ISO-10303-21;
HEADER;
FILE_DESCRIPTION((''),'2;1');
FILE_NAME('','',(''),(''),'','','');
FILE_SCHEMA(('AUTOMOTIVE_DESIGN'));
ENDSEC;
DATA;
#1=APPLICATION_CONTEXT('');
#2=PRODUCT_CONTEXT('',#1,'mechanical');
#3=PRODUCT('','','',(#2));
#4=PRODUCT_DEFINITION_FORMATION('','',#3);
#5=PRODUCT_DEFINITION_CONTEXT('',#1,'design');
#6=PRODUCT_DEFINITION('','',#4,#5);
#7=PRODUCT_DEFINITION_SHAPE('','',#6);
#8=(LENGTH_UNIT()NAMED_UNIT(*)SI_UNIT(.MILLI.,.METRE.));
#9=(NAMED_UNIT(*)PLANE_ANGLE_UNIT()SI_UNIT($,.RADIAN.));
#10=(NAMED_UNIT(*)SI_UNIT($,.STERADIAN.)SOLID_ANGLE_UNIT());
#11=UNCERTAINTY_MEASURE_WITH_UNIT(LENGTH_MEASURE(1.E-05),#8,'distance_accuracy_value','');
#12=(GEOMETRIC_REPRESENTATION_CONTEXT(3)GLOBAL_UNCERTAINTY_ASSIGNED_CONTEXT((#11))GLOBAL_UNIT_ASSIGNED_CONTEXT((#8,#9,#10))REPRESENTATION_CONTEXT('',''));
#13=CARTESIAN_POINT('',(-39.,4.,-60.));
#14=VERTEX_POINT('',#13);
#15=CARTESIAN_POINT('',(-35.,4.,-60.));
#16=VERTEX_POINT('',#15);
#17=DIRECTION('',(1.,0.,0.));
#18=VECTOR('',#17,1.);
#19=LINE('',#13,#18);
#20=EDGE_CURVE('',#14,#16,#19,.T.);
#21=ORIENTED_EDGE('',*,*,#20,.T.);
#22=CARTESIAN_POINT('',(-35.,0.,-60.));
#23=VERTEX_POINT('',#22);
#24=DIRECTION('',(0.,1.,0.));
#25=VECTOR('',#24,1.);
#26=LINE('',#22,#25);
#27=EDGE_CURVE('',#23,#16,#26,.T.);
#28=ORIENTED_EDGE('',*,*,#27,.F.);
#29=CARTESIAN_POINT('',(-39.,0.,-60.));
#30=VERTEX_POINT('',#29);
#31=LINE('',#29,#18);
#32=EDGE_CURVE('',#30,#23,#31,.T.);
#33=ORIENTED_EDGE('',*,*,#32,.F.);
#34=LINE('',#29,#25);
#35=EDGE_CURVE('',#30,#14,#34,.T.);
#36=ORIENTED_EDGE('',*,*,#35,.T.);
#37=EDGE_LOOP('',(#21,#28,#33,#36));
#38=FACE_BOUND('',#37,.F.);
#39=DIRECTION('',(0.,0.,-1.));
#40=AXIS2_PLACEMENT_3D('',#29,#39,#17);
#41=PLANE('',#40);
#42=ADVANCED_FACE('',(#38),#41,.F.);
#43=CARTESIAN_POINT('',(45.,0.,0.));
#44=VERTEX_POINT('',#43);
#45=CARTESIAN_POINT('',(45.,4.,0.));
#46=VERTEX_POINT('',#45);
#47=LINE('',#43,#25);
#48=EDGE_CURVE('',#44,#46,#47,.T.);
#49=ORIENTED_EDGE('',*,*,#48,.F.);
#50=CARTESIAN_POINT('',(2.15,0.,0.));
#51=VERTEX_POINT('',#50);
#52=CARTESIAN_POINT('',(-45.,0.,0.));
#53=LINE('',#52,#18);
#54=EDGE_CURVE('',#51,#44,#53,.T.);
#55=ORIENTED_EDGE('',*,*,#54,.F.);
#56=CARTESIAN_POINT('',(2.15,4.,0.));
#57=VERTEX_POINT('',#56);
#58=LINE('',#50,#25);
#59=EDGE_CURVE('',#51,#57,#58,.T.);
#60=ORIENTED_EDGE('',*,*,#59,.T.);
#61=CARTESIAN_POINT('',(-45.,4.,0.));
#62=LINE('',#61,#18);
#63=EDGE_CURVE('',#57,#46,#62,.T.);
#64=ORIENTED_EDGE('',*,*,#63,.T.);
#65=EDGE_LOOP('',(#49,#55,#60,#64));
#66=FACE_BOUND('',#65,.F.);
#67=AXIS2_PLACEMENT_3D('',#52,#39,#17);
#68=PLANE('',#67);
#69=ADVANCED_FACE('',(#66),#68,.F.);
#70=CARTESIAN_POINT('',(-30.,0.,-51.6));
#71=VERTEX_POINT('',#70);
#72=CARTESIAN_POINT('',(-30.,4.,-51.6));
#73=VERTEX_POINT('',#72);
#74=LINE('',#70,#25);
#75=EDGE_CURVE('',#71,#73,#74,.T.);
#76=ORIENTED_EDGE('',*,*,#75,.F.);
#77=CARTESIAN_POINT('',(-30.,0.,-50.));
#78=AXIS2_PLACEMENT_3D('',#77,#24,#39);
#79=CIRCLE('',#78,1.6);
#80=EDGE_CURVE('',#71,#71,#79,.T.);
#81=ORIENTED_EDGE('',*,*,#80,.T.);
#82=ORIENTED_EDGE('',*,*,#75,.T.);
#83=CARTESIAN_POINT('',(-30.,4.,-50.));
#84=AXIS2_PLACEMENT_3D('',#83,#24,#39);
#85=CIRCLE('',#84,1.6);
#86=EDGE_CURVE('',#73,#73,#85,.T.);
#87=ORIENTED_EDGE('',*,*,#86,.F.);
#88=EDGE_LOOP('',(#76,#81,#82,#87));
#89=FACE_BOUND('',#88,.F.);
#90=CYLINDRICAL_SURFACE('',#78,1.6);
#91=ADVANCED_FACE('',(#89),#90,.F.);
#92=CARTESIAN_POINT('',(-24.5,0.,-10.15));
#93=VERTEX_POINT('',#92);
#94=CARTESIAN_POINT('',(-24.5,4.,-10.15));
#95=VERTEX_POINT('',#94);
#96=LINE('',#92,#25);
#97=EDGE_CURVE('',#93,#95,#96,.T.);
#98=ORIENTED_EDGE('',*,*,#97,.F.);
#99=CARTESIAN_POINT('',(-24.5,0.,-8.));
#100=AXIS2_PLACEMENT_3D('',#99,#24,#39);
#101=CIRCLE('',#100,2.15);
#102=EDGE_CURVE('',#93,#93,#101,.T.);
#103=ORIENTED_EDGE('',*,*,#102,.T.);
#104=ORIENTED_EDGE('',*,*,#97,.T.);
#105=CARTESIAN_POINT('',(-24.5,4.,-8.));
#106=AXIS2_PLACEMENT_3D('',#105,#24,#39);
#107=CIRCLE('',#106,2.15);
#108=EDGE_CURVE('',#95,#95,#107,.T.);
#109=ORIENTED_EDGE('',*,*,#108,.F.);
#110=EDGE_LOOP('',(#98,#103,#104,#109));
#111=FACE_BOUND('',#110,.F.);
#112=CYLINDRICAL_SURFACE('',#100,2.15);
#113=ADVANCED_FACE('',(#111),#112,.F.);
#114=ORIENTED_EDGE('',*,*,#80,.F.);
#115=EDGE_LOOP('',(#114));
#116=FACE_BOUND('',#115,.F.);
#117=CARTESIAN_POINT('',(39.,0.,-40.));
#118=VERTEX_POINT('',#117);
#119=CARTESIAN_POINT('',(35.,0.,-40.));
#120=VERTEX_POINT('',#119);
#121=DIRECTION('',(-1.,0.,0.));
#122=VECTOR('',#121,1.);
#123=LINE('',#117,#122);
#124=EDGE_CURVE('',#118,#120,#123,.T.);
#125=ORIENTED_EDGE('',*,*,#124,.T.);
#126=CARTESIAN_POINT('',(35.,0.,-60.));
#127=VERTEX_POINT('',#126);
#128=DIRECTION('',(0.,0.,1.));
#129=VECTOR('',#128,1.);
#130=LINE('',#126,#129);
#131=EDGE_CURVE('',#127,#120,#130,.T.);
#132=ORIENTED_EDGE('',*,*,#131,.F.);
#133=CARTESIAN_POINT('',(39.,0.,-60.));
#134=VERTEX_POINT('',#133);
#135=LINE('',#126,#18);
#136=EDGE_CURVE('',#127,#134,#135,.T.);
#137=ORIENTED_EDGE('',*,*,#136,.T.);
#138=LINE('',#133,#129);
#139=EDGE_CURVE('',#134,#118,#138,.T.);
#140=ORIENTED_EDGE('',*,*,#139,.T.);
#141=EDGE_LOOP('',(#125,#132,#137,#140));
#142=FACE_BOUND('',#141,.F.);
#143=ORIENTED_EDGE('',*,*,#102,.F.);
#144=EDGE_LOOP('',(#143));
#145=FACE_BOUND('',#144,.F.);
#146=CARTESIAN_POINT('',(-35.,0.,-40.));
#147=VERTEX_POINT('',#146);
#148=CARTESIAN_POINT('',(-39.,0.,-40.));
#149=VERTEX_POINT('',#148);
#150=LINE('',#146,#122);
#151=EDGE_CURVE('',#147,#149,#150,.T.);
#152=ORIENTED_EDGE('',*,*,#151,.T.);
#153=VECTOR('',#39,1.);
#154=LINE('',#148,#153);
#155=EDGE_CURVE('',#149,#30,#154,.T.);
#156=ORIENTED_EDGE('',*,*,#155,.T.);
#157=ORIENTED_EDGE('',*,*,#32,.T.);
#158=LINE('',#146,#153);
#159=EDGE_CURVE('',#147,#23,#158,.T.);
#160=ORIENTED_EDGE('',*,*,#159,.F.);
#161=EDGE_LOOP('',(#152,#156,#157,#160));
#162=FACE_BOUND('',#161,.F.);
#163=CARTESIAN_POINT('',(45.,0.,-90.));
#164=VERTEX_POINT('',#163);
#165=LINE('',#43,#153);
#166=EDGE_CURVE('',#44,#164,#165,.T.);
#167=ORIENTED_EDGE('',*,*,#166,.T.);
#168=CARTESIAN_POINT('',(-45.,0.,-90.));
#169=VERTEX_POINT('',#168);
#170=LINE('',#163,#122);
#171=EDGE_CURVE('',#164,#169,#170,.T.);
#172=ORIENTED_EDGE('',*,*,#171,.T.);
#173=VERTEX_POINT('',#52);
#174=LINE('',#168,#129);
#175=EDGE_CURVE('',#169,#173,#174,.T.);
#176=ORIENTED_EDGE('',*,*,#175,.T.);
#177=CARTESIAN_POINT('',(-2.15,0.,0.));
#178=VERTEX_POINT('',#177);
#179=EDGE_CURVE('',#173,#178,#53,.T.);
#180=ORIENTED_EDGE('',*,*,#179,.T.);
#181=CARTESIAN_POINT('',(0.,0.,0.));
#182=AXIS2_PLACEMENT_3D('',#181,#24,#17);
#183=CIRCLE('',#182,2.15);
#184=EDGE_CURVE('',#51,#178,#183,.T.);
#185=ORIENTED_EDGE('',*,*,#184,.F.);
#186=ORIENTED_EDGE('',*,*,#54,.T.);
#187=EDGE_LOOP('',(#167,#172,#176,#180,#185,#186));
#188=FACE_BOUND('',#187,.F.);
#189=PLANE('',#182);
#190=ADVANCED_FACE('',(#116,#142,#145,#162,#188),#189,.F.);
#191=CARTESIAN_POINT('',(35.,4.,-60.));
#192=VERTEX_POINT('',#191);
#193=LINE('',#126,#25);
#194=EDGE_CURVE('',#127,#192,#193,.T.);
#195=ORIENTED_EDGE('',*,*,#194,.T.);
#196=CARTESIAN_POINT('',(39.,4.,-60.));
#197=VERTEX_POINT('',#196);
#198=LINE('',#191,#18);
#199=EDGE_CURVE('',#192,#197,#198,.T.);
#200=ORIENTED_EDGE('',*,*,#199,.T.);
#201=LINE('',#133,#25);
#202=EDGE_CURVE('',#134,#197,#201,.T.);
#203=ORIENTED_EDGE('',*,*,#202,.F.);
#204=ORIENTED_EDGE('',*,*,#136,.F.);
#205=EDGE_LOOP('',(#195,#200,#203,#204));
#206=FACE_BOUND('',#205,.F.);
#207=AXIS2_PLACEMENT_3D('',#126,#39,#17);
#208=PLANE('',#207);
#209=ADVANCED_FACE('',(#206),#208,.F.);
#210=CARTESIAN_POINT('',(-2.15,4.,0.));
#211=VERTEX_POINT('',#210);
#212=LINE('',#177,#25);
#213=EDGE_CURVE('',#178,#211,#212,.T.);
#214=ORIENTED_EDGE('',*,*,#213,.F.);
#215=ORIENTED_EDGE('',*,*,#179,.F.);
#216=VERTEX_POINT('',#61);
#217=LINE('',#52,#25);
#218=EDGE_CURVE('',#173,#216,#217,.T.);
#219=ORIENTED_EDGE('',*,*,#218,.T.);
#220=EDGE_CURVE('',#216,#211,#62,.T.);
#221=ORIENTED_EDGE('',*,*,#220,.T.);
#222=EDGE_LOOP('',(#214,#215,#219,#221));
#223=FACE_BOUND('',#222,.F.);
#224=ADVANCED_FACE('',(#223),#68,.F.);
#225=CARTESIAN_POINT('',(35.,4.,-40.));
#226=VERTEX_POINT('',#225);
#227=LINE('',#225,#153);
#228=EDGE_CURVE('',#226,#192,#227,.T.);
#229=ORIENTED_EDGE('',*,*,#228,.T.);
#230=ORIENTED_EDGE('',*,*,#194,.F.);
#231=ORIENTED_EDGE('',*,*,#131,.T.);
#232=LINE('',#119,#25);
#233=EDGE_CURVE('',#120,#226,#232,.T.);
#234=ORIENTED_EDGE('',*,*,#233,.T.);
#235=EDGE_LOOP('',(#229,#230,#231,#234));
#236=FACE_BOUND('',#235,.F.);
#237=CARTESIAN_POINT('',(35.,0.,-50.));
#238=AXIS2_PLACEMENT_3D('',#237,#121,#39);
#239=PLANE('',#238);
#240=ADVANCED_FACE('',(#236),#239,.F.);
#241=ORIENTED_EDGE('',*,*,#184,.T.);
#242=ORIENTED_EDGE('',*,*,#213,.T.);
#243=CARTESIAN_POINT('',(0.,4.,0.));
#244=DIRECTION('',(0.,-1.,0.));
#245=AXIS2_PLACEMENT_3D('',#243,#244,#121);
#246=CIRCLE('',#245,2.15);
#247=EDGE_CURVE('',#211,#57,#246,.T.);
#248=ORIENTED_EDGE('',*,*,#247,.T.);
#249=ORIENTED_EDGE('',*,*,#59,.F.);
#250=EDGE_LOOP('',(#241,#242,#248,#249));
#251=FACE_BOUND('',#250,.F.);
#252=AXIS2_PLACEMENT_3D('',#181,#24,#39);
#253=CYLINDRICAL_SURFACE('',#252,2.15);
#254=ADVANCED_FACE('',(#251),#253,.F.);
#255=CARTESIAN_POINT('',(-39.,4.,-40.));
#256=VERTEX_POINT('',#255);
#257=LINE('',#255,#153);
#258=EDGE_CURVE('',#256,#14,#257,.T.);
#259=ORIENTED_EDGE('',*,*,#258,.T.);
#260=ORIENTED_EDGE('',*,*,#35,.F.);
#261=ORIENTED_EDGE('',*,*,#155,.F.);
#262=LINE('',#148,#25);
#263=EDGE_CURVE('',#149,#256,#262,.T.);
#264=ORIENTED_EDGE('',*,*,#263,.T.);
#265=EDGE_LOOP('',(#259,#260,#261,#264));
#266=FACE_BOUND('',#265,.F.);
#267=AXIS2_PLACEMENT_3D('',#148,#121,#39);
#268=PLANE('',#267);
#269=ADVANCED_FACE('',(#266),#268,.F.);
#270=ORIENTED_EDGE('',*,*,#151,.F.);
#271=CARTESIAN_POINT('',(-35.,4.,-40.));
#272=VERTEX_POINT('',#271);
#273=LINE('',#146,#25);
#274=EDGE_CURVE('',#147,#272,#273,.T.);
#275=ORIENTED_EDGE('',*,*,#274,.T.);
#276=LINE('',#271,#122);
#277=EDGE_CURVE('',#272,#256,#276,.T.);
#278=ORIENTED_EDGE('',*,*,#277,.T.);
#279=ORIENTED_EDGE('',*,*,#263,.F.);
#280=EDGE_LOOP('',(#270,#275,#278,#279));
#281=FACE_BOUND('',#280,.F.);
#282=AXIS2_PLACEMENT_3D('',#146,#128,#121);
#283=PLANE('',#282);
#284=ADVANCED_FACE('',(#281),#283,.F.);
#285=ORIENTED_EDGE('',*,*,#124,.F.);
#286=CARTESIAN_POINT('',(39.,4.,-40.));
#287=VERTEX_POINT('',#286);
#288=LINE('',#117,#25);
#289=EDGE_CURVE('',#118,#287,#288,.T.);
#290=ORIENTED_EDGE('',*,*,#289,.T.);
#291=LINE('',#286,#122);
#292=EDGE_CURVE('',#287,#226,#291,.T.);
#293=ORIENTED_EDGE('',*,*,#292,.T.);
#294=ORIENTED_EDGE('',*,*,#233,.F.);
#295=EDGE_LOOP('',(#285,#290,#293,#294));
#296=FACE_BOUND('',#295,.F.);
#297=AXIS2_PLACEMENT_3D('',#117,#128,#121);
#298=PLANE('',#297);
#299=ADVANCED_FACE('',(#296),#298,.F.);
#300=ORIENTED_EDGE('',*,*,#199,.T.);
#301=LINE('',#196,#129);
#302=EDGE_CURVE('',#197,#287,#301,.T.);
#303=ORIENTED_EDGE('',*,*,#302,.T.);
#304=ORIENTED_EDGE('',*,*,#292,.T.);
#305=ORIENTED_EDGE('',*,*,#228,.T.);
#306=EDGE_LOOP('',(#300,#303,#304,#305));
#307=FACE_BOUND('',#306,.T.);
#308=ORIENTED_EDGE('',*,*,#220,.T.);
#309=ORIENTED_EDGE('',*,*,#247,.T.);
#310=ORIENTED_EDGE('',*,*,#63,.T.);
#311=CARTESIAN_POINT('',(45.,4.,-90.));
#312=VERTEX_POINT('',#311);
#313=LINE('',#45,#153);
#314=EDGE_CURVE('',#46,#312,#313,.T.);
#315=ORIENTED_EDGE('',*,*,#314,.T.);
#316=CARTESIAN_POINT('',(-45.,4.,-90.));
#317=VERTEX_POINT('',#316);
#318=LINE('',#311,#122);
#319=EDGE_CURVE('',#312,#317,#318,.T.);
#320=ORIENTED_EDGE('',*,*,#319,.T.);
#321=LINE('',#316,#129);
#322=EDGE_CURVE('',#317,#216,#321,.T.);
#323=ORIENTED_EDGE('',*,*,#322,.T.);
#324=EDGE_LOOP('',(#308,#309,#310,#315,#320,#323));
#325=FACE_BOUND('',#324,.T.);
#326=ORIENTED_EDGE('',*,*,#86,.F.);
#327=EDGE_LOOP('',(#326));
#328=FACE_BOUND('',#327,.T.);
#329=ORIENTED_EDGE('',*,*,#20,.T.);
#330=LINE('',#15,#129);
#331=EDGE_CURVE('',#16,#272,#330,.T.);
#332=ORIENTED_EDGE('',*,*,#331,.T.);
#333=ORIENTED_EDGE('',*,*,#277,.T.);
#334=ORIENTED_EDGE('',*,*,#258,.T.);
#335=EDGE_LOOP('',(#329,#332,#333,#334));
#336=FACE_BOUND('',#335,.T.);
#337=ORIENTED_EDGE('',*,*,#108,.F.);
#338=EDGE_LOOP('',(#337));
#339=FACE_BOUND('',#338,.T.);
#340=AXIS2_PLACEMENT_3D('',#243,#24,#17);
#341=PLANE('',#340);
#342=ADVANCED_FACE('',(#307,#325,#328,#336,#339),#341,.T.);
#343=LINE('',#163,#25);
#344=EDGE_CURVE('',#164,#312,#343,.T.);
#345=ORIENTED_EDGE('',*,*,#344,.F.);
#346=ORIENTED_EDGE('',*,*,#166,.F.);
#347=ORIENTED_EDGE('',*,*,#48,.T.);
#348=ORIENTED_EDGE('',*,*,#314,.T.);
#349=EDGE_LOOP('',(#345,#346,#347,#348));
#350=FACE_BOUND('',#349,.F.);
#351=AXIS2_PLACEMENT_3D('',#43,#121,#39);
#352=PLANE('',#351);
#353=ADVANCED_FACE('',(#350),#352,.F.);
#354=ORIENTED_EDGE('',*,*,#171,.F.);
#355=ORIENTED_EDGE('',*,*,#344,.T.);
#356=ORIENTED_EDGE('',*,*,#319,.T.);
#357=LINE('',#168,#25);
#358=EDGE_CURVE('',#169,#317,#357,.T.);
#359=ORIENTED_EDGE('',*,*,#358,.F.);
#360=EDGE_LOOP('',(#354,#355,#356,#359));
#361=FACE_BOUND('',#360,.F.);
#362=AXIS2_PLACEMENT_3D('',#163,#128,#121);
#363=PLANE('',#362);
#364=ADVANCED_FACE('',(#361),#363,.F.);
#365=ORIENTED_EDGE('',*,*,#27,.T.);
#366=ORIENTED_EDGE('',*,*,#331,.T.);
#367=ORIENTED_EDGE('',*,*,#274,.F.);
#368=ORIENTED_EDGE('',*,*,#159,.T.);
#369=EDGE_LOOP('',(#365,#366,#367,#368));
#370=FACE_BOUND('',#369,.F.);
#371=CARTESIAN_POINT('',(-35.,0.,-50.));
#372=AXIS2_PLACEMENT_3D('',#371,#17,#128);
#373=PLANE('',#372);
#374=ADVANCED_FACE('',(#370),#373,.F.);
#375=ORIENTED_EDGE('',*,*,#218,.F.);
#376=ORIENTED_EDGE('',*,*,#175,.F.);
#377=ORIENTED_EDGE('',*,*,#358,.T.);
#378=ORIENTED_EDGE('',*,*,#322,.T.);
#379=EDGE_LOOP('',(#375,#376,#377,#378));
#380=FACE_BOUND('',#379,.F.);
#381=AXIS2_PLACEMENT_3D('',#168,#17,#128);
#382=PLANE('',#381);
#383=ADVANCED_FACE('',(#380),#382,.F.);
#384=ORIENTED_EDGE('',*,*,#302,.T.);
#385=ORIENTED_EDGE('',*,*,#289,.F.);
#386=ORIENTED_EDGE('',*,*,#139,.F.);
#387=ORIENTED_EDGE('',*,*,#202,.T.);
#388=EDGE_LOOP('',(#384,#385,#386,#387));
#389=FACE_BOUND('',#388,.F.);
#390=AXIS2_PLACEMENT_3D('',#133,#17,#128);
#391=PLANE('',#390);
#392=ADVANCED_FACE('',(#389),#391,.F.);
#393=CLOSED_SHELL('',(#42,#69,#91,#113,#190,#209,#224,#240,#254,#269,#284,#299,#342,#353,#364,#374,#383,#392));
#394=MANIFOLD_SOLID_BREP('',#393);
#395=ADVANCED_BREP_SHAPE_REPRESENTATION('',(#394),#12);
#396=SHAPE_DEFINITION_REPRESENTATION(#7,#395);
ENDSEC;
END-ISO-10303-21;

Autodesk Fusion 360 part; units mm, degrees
sketch "スケッチ1" plane through (0, 0, 0) normal (0, 1, 0) x (1, 0, 0)
  line L0 (-45, 0) -> (45, 0)
  line L1 (45, 0) -> (45, 90)
  line L2 (45, 90) -> (-45, 90)
  line L3 (-45, 90) -> (-45, 0)
  line L4 (-39, 60) -> (-35, 60)
  line L5 (-35, 60) -> (-35, 40)
  line L6 (-35, 40) -> (-39, 40)
  line L7 (-39, 40) -> (-39, 60)
  line L8 (35, 60) -> (39, 60)
  line L9 (39, 60) -> (39, 40)
  line L10 (39, 40) -> (35, 40)
  line L11 (35, 40) -> (35, 60)
  line L12 (-24.5, 83) -> (24.5, 83)
  line L13 (24.5, 83) -> (24.5, 8)
  line L14 (24.5, 8) -> (-24.5, 8)
  line L15 (-24.5, 8) -> (-24.5, 83)
  line L16 (-35, 50) -> (-30, 50)
  line L17 (35, 50) -> (30, 50)
  point P0 (0, 8)
  dimension "d1" = 90
  dimension "d2" = 90
  dimension "d3" = 40
  dimension "d4" = 20
  dimension "d5" = 4
  dimension "d6" = 35
  dimension "d7" = 35
  dimension "d8" = 49
  dimension "d9" = 75
  dimension "d10" = 8
  dimension "d16" = 5
  dimension "d17" = 5
extrude "押し出し1" add sketch "スケッチ1" along normal blind 4 contours L0 L1 L2 L3 | L12 L13 L14 L15
hole "穴1" at (-24.5, 0, -8) at (0, 0, 0) at (0, 0, 0) at (0, 0, 0) direction (0, 1, 0) diameter 4.3 depth 4 tip angle 118
hole "穴2" at (-30, 0, -50) at (0, 0, 0) direction (0, 1, 0) diameter 3.2 end through all
